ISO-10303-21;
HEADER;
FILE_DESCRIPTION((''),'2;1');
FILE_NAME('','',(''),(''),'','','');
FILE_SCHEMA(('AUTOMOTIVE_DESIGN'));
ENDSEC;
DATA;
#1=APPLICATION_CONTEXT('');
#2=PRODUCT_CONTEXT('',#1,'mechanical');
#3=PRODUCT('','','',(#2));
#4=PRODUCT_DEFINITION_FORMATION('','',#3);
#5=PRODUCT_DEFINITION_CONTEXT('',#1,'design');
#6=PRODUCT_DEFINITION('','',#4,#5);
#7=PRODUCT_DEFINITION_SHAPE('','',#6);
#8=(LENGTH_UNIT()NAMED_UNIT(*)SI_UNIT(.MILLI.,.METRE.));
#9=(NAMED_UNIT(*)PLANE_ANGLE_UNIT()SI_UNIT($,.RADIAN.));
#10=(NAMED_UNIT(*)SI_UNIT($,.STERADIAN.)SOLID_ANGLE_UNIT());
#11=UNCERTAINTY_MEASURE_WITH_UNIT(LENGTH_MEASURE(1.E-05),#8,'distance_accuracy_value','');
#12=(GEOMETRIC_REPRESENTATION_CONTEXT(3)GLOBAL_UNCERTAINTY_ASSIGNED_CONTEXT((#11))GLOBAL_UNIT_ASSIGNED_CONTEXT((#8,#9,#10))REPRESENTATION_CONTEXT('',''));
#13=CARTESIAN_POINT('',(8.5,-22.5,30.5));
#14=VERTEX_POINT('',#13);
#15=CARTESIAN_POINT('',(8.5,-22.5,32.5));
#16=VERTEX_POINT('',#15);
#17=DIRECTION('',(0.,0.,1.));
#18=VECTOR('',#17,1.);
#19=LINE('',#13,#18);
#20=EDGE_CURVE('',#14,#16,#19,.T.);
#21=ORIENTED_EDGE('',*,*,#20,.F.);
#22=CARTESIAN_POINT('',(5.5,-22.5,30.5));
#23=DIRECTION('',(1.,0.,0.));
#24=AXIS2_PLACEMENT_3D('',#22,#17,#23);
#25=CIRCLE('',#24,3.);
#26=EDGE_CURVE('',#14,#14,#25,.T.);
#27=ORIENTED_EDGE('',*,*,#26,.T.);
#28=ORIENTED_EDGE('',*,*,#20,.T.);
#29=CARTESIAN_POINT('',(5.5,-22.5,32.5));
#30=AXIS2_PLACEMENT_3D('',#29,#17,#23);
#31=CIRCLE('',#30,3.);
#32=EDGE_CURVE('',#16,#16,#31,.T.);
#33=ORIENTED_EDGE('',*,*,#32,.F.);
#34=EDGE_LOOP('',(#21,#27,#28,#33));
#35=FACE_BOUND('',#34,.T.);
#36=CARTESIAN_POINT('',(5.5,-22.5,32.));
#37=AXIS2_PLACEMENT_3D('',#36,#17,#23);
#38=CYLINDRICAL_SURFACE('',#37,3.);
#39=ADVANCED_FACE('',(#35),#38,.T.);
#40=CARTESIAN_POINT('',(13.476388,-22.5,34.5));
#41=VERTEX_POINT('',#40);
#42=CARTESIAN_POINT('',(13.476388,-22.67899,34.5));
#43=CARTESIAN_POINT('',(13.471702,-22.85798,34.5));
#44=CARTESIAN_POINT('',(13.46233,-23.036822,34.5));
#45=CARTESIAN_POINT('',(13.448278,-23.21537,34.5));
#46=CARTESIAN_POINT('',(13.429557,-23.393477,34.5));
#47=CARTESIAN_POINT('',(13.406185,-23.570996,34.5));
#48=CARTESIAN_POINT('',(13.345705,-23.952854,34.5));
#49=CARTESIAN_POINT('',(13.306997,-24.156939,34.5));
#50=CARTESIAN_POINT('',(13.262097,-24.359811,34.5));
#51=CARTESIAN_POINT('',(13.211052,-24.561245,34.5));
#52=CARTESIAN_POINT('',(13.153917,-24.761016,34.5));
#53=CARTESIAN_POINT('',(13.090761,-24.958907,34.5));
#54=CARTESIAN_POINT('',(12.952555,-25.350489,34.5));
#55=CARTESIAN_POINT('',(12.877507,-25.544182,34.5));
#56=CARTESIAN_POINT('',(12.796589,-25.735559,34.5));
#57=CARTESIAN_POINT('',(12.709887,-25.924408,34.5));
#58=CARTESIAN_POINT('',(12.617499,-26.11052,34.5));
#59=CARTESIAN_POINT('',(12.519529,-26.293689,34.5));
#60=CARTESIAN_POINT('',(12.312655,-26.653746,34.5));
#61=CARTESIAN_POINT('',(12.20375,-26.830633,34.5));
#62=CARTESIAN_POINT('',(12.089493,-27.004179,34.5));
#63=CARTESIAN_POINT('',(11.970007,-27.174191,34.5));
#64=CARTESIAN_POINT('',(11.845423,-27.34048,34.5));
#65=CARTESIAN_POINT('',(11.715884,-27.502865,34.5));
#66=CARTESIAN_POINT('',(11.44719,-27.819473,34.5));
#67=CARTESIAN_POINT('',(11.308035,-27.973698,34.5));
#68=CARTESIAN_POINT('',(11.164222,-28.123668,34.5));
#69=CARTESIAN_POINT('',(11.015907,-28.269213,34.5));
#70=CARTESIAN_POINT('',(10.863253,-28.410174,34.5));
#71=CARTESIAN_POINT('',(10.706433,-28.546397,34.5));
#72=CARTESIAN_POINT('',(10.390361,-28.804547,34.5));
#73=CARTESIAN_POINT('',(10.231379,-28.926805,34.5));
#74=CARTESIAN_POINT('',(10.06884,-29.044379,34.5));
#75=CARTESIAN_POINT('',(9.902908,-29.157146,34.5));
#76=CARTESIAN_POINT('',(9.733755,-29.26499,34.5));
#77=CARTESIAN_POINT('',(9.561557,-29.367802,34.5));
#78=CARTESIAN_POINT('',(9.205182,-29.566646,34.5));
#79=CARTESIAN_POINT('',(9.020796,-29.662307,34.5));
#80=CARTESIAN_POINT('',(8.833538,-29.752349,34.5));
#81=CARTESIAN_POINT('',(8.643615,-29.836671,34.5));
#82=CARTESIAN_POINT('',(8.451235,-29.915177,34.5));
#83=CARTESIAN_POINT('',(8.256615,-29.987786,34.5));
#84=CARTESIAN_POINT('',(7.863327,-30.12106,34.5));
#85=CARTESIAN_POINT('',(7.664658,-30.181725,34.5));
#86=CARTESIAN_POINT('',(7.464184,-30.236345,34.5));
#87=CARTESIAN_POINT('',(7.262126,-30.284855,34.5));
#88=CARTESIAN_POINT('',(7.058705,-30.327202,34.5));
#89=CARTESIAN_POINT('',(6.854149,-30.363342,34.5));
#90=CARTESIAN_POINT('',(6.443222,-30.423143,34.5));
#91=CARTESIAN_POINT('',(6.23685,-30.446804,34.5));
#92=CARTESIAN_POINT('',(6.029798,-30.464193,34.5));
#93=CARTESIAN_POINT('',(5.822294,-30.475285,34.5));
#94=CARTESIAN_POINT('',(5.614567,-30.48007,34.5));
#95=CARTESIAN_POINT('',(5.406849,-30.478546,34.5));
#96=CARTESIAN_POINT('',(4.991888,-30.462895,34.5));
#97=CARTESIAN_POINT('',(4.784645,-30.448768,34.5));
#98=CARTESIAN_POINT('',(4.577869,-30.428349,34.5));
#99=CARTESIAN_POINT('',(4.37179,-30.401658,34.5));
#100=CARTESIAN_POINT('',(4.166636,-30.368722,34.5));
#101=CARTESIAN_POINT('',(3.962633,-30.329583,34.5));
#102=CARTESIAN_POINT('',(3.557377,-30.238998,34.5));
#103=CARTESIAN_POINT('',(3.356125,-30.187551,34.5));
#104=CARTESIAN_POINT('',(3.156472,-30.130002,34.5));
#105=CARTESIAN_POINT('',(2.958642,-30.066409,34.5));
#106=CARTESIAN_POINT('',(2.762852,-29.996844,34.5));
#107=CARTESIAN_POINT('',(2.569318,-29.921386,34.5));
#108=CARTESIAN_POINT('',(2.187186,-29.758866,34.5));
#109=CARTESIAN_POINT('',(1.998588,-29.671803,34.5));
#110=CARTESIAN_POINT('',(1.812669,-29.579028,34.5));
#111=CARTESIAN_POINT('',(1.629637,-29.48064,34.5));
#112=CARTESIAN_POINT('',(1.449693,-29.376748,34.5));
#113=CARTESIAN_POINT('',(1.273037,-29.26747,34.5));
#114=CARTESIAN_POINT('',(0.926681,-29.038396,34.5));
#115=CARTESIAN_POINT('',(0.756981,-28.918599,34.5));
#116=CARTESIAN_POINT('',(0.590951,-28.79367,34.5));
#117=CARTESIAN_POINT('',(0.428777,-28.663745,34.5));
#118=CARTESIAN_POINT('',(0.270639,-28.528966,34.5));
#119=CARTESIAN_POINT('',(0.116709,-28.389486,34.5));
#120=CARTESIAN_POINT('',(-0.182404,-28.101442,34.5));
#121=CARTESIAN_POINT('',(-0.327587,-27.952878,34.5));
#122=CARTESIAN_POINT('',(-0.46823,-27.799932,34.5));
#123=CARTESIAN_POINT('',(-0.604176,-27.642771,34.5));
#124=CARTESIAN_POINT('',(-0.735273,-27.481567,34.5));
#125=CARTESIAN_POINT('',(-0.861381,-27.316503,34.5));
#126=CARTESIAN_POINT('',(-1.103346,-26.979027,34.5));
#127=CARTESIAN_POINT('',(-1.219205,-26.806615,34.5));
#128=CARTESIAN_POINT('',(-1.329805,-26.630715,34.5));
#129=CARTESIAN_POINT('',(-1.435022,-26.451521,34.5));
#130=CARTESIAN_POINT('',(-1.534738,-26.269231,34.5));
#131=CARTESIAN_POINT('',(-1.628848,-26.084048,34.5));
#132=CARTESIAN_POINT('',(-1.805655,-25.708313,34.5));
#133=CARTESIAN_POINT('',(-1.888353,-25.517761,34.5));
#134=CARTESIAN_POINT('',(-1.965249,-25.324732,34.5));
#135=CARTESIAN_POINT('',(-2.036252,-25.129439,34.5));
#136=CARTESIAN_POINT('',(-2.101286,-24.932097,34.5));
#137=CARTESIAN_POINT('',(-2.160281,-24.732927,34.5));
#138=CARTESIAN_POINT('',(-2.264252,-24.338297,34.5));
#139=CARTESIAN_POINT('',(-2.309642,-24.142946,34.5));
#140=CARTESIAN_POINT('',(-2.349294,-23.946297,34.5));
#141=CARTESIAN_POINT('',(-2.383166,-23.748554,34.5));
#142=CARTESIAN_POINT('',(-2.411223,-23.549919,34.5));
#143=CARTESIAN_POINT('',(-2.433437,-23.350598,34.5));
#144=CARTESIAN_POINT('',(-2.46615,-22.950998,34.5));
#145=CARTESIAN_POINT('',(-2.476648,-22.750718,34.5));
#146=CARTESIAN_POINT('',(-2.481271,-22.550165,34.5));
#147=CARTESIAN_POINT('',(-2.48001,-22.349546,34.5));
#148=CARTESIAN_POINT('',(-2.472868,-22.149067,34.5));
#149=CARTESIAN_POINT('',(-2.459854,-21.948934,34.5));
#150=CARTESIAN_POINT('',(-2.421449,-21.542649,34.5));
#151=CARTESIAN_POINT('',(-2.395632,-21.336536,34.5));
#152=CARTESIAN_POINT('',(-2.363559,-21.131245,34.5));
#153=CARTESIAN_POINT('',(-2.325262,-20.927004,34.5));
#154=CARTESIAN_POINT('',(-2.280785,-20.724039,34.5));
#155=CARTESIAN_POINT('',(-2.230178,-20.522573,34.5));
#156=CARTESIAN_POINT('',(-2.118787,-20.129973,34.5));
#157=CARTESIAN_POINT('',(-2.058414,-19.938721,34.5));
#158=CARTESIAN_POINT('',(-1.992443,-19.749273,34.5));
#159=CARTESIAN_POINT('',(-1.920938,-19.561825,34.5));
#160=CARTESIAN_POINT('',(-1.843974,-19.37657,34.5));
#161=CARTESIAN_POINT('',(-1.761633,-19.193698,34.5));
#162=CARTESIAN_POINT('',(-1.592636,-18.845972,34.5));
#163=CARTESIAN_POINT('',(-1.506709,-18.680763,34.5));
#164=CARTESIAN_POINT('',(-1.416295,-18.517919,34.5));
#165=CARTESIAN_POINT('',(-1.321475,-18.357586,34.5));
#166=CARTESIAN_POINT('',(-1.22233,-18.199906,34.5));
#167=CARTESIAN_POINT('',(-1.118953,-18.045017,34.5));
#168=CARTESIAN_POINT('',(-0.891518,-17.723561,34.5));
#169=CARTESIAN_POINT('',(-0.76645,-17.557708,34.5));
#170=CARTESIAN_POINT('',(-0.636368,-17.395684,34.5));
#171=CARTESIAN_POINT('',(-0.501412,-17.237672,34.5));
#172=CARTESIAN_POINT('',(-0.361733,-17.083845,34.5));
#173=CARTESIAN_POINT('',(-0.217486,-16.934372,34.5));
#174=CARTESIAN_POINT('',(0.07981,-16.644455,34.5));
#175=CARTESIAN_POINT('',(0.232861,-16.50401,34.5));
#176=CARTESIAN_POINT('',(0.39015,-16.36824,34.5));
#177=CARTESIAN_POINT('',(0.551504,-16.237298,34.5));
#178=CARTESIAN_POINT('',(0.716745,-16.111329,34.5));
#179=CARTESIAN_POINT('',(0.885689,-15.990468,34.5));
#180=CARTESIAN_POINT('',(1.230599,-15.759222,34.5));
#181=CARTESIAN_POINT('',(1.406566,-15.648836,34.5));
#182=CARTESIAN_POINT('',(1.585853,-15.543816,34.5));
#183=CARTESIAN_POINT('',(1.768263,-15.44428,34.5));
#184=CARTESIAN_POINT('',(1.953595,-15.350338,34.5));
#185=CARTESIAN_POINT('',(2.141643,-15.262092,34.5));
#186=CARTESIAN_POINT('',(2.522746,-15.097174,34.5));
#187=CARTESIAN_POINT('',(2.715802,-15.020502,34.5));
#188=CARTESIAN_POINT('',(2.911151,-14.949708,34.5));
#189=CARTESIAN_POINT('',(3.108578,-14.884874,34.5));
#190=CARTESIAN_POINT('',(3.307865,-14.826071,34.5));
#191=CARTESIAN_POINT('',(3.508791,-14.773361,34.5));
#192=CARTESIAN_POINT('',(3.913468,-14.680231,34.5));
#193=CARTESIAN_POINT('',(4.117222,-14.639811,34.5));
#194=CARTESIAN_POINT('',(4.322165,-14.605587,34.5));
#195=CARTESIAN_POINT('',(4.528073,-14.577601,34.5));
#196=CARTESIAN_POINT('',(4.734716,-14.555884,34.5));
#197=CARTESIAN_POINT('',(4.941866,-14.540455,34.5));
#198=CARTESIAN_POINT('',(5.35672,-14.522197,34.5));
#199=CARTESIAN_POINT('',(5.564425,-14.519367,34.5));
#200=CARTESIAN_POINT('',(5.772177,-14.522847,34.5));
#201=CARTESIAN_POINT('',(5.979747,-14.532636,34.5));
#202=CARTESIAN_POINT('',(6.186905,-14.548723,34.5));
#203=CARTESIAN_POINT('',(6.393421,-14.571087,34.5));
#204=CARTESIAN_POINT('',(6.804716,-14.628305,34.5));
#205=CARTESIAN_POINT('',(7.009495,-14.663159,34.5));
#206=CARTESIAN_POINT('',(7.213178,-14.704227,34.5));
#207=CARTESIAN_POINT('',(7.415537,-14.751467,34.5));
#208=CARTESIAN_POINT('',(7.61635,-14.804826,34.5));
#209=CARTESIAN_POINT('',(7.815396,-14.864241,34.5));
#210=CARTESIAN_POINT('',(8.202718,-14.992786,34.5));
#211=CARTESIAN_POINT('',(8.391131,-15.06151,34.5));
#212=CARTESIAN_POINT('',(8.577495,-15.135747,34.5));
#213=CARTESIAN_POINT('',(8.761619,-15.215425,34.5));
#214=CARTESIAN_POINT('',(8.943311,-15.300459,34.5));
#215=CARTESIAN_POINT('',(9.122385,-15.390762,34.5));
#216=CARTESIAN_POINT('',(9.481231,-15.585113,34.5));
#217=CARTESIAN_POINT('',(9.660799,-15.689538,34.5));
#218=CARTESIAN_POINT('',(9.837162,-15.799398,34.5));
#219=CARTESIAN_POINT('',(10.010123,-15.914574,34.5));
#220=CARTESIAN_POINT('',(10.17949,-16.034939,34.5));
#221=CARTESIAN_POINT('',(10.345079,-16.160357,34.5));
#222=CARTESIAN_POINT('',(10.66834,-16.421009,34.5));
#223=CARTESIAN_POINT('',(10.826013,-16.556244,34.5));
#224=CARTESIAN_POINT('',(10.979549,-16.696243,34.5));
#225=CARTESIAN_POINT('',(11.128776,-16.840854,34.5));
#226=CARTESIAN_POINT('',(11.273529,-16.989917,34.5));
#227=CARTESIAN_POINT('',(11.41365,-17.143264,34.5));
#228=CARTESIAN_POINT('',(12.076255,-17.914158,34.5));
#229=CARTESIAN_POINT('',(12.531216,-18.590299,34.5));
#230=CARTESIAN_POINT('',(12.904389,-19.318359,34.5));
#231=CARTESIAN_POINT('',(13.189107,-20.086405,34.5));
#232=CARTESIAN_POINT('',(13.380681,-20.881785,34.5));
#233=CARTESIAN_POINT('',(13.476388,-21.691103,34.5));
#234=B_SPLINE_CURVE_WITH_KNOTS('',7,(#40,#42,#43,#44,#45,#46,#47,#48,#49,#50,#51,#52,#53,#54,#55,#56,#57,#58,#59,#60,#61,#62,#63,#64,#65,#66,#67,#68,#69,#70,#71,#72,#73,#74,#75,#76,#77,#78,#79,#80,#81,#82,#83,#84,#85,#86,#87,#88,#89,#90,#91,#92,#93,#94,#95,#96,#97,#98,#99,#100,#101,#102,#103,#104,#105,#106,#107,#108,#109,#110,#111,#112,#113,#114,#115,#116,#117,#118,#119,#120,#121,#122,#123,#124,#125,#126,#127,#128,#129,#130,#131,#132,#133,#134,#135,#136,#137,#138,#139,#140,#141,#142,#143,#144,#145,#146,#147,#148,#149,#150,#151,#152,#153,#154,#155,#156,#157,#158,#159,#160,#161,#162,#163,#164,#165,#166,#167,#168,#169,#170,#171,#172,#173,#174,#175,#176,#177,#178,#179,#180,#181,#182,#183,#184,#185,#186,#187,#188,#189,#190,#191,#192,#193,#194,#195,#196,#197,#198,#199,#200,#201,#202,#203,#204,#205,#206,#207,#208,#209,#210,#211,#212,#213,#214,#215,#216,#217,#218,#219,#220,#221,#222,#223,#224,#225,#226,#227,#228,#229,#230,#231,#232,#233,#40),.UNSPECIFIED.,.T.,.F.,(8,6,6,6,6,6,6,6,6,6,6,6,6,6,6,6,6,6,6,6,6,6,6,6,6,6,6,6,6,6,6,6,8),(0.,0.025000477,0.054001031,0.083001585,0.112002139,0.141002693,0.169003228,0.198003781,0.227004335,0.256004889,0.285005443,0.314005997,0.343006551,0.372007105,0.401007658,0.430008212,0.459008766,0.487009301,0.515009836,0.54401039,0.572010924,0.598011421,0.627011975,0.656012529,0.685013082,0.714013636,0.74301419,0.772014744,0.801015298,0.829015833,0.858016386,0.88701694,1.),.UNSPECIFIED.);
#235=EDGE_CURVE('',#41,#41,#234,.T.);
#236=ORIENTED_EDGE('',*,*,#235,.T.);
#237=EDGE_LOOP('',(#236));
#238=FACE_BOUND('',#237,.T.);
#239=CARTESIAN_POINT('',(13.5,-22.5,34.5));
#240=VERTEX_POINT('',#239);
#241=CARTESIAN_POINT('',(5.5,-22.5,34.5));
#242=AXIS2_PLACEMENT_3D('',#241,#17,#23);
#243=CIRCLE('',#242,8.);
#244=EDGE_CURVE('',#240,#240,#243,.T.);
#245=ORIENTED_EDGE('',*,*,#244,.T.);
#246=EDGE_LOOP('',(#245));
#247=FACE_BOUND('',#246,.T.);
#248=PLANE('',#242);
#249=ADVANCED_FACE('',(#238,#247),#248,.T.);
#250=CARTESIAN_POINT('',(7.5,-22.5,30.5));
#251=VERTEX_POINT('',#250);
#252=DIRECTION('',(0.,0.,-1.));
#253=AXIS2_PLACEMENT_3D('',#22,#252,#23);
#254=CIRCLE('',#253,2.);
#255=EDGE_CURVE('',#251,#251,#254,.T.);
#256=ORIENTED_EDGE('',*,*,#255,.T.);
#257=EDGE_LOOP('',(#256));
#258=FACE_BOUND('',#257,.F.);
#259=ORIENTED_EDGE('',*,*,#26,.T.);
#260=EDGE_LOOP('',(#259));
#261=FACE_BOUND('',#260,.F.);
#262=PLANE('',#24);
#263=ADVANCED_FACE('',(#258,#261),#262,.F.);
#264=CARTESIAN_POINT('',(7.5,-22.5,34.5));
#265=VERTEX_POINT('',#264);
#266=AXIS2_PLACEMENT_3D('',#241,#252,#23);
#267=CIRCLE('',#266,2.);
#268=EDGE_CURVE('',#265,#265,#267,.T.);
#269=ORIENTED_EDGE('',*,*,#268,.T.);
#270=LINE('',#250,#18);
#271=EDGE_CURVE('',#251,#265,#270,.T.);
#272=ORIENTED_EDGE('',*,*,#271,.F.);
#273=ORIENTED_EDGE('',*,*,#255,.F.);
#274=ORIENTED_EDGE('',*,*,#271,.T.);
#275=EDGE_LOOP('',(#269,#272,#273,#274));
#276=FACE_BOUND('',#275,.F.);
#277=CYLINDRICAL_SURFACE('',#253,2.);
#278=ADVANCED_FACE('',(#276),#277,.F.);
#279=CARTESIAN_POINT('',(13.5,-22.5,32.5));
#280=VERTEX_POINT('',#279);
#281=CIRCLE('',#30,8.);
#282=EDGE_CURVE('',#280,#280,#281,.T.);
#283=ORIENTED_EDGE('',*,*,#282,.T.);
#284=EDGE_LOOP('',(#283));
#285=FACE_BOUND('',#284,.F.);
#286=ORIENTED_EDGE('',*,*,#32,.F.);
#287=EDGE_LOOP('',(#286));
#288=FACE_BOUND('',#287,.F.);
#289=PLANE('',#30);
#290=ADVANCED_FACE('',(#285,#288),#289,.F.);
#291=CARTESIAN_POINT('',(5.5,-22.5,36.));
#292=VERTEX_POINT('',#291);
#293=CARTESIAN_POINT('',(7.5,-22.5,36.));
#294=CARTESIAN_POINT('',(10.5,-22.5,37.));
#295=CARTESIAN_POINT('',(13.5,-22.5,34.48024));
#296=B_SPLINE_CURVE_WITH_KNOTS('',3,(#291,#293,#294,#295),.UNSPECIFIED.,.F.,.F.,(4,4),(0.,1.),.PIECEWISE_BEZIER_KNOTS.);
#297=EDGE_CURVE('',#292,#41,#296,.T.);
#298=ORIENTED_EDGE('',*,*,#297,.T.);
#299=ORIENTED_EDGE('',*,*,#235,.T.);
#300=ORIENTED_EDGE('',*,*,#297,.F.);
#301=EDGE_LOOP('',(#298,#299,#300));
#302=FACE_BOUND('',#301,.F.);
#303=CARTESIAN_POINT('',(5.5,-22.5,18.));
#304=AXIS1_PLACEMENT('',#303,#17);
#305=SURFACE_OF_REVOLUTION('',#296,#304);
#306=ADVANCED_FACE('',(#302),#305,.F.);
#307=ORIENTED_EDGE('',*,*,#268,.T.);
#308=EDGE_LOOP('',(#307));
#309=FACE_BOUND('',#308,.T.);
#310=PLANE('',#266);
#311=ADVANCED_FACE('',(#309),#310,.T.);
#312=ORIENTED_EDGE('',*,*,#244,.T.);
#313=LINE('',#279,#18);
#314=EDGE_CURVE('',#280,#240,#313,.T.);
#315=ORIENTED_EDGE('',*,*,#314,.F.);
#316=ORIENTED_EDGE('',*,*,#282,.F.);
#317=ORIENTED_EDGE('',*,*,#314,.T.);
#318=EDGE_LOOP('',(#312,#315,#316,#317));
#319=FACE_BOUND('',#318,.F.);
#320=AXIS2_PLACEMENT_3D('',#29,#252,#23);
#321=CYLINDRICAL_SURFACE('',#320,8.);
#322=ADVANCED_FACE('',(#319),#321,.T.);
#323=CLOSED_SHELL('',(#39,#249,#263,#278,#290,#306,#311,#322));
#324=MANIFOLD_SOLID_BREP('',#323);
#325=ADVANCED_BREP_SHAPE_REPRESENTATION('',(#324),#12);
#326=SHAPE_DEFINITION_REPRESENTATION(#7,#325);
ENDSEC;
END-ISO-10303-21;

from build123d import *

# Parameters (mm, degrees)
SKETCH069_R     = 3
PAD040_DEPTH    = 0.5
SKETCH070_R     = 3
PAD041_DEPTH    = 1.5
SKETCH072_R     = 8
PAD049_DEPTH    = 2
SKETCH071_R     = 2
POCKET046_DEPTH = 4


with BuildPart() as part:
    # Sketch069 → Pad040 (new body)
    with BuildSketch(Plane.XY.offset(32)):
        with Locations((5.5, -22.5)):
            Circle(SKETCH069_R)
    extrude(amount=PAD040_DEPTH)

    # Sketch070 → Pad041 (join)
    with BuildSketch(Plane.XY.offset(32)):
        with Locations((5.5, -22.5)):
            Circle(SKETCH070_R)
    extrude(amount=-PAD041_DEPTH)

    # Sketch072 → Pad049 (join)
    with BuildSketch(Plane.XY.offset(32.5)):
        with Locations((5.5, -22.5)):
            Circle(SKETCH072_R)
    extrude(amount=PAD049_DEPTH)

    # Sketch094 → Revolution (revolve)
    with BuildSketch(Plane(origin=(5.5, -22.5, 18), x_dir=(1, 0, 0), z_dir=(0, -1, 0))):
        with BuildLine():
            Line((0, 18), (0, 16.48024))
            Line((0, 16.48024), (8, 16.48024))
            add(Edge.make_bspline(
                [(0, 18), (2, 18), (5, 19), (8, 16.48024)],
                knots=[0, 0, 0, 0, 1, 1, 1, 1], degree=3))
        make_face()
    revolve(axis=Axis((5.5, -22.5, 18), (0, 0, 1)))

    # Sketch071 (on Face4 of Pad041) → Pocket046 (cut)
    with BuildSketch(Plane(origin=(0, 0, 30.5), x_dir=(1, 0, 0), z_dir=(0, 0, -1))):
        with Locations((5.5, 22.5)):
            Circle(SKETCH071_R)
    extrude(amount=-POCKET046_DEPTH, mode=Mode.SUBTRACT)


solid = part.part
